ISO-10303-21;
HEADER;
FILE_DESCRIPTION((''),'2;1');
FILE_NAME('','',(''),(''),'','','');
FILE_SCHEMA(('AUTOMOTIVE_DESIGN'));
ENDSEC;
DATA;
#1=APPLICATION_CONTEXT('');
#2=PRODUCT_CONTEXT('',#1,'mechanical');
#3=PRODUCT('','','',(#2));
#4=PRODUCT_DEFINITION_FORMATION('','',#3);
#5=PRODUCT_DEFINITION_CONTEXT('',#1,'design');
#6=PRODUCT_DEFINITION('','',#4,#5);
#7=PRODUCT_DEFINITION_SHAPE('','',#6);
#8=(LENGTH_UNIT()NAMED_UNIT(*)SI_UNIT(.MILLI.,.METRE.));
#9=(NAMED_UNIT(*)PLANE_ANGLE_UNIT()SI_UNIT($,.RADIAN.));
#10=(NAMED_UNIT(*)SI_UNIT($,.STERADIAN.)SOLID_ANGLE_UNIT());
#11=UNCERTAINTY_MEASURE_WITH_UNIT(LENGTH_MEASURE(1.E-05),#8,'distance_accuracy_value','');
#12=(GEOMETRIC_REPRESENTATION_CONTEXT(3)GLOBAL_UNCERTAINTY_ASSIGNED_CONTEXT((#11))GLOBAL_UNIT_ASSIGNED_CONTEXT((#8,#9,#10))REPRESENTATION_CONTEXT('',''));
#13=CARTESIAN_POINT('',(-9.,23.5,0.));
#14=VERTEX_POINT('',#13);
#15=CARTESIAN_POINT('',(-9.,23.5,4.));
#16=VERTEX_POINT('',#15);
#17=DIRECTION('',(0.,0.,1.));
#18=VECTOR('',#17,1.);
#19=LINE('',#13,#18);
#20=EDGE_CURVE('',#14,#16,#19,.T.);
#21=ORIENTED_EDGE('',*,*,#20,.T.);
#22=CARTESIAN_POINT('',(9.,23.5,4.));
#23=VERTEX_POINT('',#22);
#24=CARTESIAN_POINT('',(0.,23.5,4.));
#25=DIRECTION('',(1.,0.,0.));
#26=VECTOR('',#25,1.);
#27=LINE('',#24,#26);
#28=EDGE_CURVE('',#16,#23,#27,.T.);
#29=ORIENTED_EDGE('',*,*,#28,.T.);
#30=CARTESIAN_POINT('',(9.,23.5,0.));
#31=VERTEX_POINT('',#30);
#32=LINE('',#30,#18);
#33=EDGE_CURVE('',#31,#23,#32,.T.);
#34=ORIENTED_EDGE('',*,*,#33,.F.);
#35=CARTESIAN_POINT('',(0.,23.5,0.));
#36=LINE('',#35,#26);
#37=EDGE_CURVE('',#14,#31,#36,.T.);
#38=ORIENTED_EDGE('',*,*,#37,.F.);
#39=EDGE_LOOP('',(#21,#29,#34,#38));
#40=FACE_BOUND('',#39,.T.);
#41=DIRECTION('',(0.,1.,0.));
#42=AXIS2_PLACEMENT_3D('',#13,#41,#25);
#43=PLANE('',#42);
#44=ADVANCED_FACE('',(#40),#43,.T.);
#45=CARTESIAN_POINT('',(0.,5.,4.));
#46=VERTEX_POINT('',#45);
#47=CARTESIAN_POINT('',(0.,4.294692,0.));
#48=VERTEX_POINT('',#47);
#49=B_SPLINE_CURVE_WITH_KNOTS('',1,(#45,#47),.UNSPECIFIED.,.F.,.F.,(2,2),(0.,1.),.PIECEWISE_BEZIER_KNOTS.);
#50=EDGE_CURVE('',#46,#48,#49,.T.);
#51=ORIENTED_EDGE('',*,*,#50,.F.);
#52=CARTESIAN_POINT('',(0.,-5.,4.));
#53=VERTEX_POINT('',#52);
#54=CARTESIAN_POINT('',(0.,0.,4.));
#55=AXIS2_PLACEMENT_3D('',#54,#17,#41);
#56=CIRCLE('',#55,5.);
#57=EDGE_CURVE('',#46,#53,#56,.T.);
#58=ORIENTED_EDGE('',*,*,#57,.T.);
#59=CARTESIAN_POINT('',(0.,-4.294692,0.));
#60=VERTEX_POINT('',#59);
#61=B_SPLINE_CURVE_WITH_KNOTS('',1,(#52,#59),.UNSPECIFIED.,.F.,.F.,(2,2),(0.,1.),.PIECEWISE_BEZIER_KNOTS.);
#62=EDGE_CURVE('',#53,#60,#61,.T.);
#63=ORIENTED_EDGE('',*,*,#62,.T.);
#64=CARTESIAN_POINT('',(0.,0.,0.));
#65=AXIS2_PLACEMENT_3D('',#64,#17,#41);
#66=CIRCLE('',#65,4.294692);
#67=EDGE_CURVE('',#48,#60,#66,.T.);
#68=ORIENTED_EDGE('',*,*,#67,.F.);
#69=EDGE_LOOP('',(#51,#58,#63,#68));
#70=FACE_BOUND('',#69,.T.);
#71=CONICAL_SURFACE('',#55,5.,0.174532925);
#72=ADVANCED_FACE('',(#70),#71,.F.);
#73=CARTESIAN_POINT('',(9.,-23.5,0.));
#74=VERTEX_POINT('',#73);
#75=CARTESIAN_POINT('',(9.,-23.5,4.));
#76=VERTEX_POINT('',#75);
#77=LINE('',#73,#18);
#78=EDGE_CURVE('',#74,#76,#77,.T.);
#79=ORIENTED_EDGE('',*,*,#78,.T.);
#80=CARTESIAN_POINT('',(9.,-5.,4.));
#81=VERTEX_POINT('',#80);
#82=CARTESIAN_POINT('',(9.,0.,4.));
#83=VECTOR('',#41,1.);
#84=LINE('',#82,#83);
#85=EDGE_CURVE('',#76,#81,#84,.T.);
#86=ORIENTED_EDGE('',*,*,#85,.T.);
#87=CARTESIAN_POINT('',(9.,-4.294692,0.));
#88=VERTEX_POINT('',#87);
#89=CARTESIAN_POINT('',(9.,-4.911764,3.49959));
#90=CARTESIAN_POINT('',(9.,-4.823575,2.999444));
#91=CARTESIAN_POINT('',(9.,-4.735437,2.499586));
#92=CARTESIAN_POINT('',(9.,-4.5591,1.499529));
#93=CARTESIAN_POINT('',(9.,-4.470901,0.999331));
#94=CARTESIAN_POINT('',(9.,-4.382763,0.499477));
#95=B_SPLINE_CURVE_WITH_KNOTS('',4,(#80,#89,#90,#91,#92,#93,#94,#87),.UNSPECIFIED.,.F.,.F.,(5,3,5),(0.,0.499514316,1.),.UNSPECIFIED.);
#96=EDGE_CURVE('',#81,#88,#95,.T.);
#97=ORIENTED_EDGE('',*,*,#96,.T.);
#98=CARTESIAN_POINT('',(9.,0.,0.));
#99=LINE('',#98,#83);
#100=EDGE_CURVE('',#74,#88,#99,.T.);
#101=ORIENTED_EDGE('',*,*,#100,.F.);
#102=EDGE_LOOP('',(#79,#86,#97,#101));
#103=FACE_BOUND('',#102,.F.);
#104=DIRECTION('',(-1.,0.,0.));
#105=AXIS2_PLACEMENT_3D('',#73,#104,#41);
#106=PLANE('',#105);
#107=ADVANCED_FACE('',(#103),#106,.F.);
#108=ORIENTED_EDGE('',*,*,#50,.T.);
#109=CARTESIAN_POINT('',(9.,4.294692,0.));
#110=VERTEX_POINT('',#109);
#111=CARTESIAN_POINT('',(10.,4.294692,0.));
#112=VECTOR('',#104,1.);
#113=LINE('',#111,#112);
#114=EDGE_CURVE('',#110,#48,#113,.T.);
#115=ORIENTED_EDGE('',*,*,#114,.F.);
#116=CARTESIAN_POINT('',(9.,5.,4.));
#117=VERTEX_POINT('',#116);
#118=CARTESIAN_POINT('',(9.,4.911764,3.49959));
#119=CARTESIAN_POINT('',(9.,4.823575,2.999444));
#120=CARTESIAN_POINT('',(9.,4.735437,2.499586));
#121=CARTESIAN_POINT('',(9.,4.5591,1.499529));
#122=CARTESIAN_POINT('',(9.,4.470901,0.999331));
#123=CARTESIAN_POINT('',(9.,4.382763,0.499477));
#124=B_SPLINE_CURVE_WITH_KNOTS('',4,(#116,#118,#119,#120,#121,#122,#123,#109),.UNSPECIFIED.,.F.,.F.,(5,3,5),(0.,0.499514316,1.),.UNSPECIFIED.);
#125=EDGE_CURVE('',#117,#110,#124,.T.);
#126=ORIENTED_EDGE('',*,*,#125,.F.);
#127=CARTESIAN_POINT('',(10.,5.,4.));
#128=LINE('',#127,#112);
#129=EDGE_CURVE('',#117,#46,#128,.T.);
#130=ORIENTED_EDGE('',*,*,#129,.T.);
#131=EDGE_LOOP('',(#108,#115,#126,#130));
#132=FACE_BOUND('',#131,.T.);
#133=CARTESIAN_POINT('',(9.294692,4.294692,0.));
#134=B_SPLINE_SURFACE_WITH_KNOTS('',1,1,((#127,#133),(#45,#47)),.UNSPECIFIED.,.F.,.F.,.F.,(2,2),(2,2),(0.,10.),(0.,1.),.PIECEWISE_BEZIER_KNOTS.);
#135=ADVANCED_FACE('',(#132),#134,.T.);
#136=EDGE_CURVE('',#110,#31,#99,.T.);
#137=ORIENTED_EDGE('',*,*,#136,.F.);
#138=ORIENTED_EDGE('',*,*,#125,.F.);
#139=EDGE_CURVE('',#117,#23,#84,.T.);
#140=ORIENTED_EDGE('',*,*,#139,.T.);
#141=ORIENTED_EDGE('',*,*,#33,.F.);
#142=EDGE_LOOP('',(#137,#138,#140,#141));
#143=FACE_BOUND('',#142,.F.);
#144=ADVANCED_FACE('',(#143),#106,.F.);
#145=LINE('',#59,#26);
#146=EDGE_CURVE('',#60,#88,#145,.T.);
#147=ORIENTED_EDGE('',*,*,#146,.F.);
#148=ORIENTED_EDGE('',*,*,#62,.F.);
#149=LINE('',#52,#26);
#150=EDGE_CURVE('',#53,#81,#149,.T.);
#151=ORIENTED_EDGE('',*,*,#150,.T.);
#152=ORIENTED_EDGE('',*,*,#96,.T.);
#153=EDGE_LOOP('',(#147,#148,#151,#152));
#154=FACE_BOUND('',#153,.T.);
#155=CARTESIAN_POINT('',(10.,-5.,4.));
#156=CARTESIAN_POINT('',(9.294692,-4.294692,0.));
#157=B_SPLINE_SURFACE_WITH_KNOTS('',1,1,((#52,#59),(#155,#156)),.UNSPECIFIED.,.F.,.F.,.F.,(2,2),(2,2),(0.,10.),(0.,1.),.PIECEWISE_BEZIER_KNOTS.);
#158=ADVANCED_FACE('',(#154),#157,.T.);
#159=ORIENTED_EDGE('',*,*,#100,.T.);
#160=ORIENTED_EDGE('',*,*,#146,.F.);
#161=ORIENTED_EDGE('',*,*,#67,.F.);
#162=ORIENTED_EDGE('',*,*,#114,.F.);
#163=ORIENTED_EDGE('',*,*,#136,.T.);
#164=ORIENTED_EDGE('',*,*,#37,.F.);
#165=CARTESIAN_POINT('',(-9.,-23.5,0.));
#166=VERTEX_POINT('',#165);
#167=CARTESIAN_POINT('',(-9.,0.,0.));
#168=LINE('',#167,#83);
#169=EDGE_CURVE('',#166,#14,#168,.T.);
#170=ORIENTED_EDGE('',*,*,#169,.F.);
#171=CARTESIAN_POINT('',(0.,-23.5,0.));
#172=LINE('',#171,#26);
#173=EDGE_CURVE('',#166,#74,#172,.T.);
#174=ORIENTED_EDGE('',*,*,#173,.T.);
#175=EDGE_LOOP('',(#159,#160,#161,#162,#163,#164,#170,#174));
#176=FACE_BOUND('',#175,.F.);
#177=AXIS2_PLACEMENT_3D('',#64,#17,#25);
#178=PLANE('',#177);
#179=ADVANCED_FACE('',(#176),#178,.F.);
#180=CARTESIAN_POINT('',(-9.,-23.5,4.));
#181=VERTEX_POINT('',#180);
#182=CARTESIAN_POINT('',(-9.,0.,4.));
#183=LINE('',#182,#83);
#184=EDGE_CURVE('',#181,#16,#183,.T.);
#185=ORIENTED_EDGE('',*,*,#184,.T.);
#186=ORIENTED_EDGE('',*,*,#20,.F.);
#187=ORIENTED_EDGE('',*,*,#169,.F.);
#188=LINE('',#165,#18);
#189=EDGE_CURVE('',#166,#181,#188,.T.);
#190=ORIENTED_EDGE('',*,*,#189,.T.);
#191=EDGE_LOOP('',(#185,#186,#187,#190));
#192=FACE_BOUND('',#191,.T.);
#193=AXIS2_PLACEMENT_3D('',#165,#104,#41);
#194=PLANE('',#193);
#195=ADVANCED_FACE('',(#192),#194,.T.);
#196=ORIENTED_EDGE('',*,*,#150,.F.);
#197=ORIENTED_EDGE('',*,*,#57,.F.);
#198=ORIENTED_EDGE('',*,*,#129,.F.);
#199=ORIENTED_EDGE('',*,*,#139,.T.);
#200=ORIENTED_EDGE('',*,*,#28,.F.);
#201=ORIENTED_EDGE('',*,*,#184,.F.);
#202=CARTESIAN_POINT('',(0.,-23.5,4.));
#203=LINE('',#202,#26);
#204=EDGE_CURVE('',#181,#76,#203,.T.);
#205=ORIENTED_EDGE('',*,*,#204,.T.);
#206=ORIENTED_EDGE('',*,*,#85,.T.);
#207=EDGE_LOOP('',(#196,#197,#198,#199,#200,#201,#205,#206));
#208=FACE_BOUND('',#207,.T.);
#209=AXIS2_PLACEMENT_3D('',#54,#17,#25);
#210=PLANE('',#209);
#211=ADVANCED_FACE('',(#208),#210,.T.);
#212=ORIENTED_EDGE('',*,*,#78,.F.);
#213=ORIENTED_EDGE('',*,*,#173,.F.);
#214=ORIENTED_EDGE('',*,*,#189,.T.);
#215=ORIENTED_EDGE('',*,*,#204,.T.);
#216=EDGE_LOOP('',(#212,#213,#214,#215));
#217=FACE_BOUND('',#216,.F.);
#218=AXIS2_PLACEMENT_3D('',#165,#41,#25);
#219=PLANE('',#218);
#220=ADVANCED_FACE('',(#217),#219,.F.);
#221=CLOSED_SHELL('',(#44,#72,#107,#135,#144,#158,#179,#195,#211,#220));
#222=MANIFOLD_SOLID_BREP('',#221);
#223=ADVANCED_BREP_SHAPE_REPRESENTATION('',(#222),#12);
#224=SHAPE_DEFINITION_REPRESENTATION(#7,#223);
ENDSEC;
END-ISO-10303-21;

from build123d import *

# Parameters (mm, degrees)
F0_W     = 18
F0_H     = 47
F1_DEPTH = 4
F3_DEPTH = 4
F3_TAPER = 10


with BuildPart() as f1:
    # F0 (on Top) → F1 (new body)
    with BuildSketch(Plane.XY):
        Rectangle(F0_W, F0_H)
    extrude(amount=F1_DEPTH)

    # F2 (on face) → F3 (cut)
    with BuildSketch(Plane.XY.offset(4)):
        with BuildLine():
            ThreePointArc((0, -5), (3.5355339059, -3.5355339059), (5, 0))
            ThreePointArc((5, 0), (3.5355339059, 3.5355339059), (0, 5))
            Line((0, 5), (0, -5))
        make_face()
        with BuildLine():
            ThreePointArc((0, 5), (3.5355339059, 3.5355339059), (5, 0))
            ThreePointArc((5, 0), (3.5355339059, -3.5355339059), (0, -5))
            Line((0, -5), (10, -5))
            Line((10, -5), (10, 5))
            Line((10, 5), (0, 5))
        make_face()
        with BuildLine():
            Line((0, -5), (0, 5))
            ThreePointArc((0, 5), (-5, 0), (0, -5))
        make_face()
    extrude(amount=-F3_DEPTH, taper=F3_TAPER, mode=Mode.SUBTRACT)


solid = f1.part
